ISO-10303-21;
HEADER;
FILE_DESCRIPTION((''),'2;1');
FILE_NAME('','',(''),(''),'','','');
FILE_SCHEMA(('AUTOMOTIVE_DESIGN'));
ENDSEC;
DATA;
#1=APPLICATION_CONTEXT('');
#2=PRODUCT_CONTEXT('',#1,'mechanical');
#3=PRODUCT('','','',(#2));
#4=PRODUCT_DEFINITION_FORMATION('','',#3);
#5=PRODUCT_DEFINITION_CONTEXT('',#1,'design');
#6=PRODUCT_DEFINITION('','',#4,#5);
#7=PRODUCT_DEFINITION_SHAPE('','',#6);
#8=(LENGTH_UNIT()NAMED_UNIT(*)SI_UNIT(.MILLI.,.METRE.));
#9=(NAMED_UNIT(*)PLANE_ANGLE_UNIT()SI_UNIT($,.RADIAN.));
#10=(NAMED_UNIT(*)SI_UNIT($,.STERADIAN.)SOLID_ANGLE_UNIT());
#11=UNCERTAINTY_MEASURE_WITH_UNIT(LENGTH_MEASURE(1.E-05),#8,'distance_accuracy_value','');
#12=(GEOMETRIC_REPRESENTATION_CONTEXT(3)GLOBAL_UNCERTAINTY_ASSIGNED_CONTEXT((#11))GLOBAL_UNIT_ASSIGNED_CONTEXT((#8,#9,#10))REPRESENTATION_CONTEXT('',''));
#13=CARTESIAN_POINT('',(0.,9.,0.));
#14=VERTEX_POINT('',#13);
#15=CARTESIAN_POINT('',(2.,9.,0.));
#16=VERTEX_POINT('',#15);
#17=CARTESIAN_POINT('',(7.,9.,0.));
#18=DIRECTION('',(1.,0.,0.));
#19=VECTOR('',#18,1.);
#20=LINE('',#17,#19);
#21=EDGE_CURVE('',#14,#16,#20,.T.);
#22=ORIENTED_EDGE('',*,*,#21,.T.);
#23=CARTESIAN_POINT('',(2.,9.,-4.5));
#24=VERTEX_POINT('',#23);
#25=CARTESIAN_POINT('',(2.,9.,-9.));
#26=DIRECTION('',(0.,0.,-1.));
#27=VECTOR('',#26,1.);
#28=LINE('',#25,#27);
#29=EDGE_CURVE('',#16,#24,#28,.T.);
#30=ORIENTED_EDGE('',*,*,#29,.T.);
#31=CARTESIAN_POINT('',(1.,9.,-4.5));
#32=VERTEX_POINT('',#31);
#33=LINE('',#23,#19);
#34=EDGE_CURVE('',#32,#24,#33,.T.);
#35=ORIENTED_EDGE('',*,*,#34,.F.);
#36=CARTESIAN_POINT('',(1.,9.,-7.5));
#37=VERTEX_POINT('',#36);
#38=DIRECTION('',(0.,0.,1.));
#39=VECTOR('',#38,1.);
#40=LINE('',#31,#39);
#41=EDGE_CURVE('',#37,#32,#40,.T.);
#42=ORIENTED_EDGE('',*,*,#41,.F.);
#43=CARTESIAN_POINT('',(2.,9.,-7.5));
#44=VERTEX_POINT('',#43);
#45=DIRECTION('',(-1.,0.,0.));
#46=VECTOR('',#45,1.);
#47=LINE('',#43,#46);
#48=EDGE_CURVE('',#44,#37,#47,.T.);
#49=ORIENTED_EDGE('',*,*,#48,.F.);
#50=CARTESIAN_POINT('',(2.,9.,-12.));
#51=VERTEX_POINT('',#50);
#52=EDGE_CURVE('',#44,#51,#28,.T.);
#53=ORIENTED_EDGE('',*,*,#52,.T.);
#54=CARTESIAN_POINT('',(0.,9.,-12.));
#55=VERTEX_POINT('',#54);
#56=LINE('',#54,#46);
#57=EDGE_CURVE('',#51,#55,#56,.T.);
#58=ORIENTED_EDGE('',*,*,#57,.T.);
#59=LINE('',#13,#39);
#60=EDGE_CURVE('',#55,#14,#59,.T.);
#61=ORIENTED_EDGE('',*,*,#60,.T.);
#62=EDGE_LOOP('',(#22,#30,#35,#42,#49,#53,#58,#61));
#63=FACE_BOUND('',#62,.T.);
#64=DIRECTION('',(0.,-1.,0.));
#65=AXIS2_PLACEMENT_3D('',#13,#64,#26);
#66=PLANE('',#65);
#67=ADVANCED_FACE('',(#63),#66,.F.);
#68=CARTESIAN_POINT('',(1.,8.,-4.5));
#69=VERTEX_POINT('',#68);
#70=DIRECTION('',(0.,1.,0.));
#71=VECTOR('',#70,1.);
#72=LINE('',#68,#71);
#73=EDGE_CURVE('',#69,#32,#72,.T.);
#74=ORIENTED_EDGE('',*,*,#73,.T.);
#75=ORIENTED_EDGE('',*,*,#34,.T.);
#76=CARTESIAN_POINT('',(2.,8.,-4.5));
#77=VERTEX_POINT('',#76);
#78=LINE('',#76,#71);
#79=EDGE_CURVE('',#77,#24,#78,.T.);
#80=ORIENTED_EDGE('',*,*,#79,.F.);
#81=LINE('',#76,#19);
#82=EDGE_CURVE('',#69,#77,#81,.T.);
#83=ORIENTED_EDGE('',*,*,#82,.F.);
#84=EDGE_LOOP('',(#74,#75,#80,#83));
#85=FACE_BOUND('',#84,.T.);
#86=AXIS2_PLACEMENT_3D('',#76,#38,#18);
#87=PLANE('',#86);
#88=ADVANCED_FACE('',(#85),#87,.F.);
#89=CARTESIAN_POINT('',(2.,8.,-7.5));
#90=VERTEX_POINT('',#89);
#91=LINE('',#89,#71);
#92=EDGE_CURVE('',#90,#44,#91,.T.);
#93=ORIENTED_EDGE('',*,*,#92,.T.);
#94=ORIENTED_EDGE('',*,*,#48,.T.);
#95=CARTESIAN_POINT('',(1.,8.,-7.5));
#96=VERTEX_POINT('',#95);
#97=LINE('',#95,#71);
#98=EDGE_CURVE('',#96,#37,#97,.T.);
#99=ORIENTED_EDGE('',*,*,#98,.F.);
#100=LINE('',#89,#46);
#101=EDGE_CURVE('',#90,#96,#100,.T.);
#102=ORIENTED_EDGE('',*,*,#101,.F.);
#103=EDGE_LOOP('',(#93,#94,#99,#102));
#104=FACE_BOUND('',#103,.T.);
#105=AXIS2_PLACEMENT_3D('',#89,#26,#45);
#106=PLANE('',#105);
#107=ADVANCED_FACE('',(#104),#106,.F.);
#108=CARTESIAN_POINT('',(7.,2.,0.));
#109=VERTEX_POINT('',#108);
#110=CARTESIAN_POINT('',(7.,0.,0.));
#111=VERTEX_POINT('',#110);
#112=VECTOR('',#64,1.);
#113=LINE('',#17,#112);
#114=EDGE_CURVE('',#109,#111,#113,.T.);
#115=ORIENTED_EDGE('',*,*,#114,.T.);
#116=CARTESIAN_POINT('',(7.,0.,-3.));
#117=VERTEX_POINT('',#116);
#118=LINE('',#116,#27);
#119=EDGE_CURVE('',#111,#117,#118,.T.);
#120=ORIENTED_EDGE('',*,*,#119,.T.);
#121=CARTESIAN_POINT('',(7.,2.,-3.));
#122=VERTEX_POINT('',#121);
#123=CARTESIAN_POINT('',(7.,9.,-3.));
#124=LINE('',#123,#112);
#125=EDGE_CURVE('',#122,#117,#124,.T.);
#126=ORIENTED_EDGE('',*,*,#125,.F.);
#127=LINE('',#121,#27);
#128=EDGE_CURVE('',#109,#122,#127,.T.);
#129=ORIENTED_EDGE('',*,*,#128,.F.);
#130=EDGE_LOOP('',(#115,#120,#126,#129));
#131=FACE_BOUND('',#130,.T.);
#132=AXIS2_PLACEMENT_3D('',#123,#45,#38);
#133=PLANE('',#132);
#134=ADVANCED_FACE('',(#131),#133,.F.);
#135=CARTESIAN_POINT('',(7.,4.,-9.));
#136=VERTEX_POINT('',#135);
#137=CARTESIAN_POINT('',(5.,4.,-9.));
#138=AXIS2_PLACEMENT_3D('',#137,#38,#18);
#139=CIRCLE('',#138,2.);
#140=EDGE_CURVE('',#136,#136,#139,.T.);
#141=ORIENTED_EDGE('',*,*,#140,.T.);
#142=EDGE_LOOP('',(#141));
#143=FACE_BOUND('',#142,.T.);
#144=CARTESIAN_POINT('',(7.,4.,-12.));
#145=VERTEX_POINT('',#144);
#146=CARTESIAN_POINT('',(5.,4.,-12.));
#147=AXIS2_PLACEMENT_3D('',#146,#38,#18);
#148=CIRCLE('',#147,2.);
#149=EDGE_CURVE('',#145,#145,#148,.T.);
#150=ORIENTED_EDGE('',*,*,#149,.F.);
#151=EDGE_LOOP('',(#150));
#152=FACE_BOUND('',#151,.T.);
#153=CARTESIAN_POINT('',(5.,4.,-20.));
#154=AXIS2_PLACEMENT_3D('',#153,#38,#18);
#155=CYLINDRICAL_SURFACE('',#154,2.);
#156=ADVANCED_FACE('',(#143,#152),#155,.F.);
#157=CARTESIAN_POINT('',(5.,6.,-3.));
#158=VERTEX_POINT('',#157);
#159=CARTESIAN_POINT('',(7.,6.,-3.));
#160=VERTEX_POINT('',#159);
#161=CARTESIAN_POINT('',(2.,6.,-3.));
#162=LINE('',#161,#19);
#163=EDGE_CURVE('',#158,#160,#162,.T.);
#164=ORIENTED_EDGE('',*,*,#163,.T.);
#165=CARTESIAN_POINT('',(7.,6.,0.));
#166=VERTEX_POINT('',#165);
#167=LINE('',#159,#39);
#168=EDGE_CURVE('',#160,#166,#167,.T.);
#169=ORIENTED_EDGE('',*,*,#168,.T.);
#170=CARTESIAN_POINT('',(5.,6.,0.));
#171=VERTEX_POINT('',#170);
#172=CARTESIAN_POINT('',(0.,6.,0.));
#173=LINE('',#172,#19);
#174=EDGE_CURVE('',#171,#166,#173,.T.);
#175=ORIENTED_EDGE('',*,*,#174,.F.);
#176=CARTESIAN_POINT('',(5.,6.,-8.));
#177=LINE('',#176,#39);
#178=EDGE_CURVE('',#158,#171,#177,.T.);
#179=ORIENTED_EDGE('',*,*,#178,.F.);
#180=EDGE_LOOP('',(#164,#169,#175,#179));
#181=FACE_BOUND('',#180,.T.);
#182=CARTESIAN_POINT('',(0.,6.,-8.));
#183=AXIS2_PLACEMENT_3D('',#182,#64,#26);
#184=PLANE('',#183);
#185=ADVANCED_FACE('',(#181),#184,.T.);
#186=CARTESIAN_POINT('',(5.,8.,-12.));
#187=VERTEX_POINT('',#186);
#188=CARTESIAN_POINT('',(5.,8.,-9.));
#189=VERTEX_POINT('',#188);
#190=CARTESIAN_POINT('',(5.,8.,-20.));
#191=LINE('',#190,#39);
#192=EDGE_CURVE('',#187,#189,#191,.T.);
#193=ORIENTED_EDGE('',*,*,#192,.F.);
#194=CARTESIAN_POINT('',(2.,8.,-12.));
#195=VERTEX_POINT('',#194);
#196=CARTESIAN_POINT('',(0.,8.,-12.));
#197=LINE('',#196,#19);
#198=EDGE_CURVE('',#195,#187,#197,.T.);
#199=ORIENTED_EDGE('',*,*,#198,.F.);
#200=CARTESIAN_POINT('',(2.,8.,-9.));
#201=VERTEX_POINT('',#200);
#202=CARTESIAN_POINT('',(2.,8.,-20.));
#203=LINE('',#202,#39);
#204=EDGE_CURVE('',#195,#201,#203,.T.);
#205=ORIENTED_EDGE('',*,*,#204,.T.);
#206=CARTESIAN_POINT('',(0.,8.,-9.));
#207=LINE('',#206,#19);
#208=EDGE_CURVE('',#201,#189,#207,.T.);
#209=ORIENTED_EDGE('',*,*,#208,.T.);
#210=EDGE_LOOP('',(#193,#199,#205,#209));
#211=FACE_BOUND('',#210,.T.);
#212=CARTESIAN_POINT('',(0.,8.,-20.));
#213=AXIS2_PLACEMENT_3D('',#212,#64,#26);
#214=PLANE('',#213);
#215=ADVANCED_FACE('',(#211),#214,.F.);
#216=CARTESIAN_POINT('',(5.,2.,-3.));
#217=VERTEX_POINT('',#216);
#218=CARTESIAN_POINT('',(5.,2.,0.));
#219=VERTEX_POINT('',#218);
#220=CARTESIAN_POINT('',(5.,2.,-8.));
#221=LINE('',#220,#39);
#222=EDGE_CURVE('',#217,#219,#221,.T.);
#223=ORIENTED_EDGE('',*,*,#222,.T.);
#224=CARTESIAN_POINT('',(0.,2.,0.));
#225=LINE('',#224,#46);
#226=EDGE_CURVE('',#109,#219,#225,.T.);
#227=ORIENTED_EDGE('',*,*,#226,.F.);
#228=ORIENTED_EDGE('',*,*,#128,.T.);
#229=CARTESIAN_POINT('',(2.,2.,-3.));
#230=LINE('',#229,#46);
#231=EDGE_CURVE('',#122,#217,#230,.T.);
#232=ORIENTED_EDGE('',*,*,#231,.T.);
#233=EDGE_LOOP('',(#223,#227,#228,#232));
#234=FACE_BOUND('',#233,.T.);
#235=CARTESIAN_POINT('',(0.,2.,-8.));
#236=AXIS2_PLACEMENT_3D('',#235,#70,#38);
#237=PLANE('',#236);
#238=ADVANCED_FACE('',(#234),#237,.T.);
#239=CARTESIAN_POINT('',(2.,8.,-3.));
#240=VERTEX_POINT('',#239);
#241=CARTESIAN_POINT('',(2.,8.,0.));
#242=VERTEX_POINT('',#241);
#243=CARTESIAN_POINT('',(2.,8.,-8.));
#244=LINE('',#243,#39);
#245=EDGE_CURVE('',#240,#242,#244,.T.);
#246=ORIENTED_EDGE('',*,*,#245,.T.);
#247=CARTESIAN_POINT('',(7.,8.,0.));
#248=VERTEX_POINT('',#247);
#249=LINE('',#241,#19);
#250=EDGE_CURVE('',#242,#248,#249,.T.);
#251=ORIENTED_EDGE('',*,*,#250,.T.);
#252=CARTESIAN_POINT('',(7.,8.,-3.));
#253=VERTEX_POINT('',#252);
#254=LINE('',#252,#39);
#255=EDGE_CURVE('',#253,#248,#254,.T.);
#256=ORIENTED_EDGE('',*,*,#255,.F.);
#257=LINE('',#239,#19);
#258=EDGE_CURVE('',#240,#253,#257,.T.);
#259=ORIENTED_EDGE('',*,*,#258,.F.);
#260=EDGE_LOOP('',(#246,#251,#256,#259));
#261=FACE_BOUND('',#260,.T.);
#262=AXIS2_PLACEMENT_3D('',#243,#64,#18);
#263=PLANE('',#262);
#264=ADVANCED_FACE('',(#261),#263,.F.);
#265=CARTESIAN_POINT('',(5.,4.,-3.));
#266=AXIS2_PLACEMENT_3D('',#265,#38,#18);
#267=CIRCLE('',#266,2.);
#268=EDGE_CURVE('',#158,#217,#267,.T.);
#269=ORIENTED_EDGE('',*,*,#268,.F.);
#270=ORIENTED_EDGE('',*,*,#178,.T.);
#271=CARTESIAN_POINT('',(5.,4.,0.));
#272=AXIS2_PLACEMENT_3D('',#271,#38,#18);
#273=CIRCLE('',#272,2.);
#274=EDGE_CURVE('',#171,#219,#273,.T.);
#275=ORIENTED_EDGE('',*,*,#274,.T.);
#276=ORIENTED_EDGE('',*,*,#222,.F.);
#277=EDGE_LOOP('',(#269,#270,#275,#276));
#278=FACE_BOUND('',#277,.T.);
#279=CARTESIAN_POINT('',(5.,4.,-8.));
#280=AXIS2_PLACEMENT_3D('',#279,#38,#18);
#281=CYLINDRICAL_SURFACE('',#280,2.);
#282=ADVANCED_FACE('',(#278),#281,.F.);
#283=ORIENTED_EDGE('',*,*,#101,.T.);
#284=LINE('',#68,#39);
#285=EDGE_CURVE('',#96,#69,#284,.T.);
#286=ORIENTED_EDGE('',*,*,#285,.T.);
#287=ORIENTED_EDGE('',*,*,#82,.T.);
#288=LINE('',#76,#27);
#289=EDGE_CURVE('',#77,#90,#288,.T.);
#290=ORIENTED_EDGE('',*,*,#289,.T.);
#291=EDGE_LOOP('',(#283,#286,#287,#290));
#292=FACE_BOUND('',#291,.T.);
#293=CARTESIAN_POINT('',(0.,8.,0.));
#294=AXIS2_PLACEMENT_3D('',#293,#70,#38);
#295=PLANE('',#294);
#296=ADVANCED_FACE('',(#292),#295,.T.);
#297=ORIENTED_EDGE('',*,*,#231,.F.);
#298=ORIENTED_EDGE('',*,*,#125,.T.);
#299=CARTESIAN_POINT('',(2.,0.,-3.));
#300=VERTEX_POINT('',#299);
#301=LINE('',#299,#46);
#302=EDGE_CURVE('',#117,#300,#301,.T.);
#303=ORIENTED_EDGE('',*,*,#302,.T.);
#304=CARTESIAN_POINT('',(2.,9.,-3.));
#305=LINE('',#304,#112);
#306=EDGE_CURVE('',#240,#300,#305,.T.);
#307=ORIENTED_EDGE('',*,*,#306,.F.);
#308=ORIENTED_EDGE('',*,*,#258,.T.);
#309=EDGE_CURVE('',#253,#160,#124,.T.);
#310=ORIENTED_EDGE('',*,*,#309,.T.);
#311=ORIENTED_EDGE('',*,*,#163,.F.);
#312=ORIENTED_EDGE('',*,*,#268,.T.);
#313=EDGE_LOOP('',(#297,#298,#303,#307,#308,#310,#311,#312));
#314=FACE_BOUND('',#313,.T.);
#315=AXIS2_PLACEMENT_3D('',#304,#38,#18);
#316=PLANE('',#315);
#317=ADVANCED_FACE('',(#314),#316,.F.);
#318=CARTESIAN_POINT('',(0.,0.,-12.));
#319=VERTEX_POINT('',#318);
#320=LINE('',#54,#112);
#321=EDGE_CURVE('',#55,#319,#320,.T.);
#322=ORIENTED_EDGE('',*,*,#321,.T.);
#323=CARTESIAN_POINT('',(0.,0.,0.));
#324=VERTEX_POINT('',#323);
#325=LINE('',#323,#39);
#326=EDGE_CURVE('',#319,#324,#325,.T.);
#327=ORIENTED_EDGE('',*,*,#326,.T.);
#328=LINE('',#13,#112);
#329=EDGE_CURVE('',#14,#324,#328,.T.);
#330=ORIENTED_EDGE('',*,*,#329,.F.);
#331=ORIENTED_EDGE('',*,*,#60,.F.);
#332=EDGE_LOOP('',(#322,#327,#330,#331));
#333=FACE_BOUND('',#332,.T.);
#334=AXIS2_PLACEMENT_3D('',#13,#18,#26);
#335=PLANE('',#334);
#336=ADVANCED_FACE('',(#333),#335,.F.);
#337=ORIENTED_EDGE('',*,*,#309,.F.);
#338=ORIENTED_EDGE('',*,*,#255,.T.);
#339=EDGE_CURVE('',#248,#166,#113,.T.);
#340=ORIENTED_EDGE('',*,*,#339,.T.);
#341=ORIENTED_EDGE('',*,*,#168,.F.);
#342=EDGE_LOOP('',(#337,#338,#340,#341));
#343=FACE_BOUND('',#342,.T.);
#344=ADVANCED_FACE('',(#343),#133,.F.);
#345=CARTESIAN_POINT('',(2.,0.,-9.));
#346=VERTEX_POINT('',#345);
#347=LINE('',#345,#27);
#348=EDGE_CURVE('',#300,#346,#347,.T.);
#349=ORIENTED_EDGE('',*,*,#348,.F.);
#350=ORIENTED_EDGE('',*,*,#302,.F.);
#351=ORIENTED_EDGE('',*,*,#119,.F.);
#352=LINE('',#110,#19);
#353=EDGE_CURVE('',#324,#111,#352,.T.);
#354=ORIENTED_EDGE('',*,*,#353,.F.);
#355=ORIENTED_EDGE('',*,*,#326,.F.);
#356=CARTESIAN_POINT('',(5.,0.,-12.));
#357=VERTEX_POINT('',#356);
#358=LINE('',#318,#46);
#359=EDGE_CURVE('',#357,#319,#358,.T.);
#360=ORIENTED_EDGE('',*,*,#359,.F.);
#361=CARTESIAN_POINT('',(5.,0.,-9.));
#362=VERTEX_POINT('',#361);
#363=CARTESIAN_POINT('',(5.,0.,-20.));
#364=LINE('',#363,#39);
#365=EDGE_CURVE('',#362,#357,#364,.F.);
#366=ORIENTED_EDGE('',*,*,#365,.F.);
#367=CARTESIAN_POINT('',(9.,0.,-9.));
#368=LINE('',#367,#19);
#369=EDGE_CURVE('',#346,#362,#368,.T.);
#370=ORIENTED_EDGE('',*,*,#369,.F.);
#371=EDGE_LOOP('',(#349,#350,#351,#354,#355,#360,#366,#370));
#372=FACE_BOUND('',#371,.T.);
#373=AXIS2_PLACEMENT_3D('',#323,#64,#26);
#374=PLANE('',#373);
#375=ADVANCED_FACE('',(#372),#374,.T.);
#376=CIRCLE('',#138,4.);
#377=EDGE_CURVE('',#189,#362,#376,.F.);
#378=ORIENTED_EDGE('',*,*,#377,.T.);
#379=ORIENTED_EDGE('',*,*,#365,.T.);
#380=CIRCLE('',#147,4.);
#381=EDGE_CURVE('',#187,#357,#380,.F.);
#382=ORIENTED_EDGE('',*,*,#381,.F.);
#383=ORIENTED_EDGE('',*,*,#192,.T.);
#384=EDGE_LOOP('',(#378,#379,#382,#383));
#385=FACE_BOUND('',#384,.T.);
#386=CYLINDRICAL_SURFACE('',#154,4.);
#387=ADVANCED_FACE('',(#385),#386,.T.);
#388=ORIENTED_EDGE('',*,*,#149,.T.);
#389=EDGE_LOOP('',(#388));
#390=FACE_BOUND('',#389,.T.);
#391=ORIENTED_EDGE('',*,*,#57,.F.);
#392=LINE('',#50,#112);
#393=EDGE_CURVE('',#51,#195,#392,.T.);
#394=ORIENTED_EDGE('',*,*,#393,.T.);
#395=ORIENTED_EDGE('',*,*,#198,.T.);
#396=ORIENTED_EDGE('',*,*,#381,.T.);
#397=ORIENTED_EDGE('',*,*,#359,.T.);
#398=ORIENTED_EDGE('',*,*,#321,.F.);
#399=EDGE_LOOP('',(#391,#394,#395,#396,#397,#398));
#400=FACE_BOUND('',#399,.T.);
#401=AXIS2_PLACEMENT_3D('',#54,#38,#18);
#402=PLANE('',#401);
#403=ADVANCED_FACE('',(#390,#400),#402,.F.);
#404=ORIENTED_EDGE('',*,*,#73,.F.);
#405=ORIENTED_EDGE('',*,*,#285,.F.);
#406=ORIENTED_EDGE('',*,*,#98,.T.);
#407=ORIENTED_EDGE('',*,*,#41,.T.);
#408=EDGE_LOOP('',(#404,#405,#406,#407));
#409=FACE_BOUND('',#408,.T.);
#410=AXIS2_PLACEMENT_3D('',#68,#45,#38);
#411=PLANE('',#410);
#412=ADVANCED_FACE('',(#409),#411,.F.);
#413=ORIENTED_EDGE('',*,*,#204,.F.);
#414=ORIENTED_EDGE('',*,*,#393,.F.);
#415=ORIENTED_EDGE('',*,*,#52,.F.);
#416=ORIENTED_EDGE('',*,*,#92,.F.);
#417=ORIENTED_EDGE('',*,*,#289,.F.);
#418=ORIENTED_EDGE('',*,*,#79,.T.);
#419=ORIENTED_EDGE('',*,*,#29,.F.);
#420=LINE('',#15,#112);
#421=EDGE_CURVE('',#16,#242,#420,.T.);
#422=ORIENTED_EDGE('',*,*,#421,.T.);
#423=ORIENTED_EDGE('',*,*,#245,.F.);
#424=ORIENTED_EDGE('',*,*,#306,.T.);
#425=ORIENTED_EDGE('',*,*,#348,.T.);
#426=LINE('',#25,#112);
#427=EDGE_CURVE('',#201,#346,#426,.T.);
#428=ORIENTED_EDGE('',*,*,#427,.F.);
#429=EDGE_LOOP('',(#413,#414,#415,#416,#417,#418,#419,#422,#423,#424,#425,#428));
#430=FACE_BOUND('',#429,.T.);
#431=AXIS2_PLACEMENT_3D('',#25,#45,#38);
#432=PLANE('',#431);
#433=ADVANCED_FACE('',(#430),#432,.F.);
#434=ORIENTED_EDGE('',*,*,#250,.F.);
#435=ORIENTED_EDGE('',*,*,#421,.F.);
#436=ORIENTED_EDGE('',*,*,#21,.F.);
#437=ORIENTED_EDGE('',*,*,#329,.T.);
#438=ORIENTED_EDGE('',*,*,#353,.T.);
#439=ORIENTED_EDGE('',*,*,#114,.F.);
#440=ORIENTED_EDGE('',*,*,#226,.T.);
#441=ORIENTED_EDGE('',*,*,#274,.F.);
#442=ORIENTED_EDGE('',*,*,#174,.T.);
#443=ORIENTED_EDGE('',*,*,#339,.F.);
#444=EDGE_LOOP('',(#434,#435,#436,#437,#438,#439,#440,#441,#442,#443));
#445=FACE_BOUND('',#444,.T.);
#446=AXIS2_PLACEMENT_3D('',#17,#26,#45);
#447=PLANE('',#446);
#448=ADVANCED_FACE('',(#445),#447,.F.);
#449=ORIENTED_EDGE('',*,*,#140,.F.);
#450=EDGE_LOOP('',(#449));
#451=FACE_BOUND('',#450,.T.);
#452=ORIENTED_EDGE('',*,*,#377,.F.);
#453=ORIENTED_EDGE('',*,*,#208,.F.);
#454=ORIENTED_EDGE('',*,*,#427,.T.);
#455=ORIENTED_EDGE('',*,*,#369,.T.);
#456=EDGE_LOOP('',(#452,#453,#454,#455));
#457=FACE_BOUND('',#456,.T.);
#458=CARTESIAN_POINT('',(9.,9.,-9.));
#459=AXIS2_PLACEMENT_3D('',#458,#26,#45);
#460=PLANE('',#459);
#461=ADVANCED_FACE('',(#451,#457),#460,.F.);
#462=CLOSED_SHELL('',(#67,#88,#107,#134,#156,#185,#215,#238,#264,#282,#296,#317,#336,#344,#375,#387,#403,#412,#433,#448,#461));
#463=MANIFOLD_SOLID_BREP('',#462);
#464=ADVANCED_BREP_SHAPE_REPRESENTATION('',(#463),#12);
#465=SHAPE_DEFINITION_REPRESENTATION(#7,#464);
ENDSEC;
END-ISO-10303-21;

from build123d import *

# Parameters (mm, degrees)
BOSS_EXTRUDE1_DEPTH = 9
SKETCH3_R           = 2
SKETCH3_W           = 7
SKETCH3_H           = 1
CUT_EXTRUDE4_DEPTH  = 8
SKETCH4_W           = 1
SKETCH4_H           = 3
CUT_EXTRUDE5_DEPTH  = 1
SKETCH5_R           = 2
CUT_EXTRUDE6_DEPTH  = 11


with BuildPart() as part:
    # Sketch2 → Boss-Extrude1 (new body)
    with BuildSketch(Plane(origin=(0, 0, 0), x_dir=(1, 0, 0), z_dir=(0, 1, 0))):
        Polygon((0, 0), (0, 12), (9, 12), (9, 9), (2, 9), (2, 3), (7, 3), (7, 0), align=None)
    extrude(amount=BOSS_EXTRUDE1_DEPTH)

    # Sketch3 → Cut-Extrude4 (cut)
    with BuildSketch(Plane.XY):
        Polygon((8.855862573, 6), (7, 6), (7, 4), (7, 2), (8.855862573, 2), align=None)
        with Locations((5, 4)):
            Circle(SKETCH3_R)
        with BuildLine():
            Line((7, 4), (7, 6))
            Line((7, 6), (5, 6))
            ThreePointArc((5, 6), (6.414213562, 5.414213562), (7, 4))
        make_face()
        with BuildLine():
            Line((7, 2), (7, 4))
            ThreePointArc((7, 4), (6.414213562, 2.585786438), (5, 2))
            Line((5, 2), (7, 2))
        make_face()
        with Locations((5.5, 8.5)):
            Rectangle(SKETCH3_W, SKETCH3_H)
    extrude(amount=-CUT_EXTRUDE4_DEPTH, mode=Mode.SUBTRACT)

    # Sketch4 → Cut-Extrude5 (cut)
    with BuildSketch(Plane(origin=(0, 9, 0), x_dir=(1, 0, 0), z_dir=(0, 1, 0))):
        with Locations((1.5, 6)):
            Rectangle(SKETCH4_W, SKETCH4_H)
    extrude(amount=-CUT_EXTRUDE5_DEPTH, mode=Mode.SUBTRACT)

    # Sketch5 → Cut-Extrude6 (cut)
    with BuildSketch(Plane.XY.offset(-9)):
        Polygon((9, 9), (2, 9), (2, 8), (5, 8), (9, 8), align=None)
        with Locations((5, 4)):
            Circle(SKETCH5_R)
        with BuildLine():
            Line((9, 4.000000022), (9, 8))
            Line((9, 8), (5, 8))
            ThreePointArc((5, 8), (7.828427117, 6.828427133), (9, 4.000000022))
        make_face()
        with BuildLine():
            Line((9, 0), (9, 4.000000022))
            ThreePointArc((9, 4.000000022), (7.828427133, 1.171572883), (5, 0))
            Line((5, 0), (9, 0))
        make_face()
    extrude(amount=-CUT_EXTRUDE6_DEPTH, mode=Mode.SUBTRACT)


solid = part.part
